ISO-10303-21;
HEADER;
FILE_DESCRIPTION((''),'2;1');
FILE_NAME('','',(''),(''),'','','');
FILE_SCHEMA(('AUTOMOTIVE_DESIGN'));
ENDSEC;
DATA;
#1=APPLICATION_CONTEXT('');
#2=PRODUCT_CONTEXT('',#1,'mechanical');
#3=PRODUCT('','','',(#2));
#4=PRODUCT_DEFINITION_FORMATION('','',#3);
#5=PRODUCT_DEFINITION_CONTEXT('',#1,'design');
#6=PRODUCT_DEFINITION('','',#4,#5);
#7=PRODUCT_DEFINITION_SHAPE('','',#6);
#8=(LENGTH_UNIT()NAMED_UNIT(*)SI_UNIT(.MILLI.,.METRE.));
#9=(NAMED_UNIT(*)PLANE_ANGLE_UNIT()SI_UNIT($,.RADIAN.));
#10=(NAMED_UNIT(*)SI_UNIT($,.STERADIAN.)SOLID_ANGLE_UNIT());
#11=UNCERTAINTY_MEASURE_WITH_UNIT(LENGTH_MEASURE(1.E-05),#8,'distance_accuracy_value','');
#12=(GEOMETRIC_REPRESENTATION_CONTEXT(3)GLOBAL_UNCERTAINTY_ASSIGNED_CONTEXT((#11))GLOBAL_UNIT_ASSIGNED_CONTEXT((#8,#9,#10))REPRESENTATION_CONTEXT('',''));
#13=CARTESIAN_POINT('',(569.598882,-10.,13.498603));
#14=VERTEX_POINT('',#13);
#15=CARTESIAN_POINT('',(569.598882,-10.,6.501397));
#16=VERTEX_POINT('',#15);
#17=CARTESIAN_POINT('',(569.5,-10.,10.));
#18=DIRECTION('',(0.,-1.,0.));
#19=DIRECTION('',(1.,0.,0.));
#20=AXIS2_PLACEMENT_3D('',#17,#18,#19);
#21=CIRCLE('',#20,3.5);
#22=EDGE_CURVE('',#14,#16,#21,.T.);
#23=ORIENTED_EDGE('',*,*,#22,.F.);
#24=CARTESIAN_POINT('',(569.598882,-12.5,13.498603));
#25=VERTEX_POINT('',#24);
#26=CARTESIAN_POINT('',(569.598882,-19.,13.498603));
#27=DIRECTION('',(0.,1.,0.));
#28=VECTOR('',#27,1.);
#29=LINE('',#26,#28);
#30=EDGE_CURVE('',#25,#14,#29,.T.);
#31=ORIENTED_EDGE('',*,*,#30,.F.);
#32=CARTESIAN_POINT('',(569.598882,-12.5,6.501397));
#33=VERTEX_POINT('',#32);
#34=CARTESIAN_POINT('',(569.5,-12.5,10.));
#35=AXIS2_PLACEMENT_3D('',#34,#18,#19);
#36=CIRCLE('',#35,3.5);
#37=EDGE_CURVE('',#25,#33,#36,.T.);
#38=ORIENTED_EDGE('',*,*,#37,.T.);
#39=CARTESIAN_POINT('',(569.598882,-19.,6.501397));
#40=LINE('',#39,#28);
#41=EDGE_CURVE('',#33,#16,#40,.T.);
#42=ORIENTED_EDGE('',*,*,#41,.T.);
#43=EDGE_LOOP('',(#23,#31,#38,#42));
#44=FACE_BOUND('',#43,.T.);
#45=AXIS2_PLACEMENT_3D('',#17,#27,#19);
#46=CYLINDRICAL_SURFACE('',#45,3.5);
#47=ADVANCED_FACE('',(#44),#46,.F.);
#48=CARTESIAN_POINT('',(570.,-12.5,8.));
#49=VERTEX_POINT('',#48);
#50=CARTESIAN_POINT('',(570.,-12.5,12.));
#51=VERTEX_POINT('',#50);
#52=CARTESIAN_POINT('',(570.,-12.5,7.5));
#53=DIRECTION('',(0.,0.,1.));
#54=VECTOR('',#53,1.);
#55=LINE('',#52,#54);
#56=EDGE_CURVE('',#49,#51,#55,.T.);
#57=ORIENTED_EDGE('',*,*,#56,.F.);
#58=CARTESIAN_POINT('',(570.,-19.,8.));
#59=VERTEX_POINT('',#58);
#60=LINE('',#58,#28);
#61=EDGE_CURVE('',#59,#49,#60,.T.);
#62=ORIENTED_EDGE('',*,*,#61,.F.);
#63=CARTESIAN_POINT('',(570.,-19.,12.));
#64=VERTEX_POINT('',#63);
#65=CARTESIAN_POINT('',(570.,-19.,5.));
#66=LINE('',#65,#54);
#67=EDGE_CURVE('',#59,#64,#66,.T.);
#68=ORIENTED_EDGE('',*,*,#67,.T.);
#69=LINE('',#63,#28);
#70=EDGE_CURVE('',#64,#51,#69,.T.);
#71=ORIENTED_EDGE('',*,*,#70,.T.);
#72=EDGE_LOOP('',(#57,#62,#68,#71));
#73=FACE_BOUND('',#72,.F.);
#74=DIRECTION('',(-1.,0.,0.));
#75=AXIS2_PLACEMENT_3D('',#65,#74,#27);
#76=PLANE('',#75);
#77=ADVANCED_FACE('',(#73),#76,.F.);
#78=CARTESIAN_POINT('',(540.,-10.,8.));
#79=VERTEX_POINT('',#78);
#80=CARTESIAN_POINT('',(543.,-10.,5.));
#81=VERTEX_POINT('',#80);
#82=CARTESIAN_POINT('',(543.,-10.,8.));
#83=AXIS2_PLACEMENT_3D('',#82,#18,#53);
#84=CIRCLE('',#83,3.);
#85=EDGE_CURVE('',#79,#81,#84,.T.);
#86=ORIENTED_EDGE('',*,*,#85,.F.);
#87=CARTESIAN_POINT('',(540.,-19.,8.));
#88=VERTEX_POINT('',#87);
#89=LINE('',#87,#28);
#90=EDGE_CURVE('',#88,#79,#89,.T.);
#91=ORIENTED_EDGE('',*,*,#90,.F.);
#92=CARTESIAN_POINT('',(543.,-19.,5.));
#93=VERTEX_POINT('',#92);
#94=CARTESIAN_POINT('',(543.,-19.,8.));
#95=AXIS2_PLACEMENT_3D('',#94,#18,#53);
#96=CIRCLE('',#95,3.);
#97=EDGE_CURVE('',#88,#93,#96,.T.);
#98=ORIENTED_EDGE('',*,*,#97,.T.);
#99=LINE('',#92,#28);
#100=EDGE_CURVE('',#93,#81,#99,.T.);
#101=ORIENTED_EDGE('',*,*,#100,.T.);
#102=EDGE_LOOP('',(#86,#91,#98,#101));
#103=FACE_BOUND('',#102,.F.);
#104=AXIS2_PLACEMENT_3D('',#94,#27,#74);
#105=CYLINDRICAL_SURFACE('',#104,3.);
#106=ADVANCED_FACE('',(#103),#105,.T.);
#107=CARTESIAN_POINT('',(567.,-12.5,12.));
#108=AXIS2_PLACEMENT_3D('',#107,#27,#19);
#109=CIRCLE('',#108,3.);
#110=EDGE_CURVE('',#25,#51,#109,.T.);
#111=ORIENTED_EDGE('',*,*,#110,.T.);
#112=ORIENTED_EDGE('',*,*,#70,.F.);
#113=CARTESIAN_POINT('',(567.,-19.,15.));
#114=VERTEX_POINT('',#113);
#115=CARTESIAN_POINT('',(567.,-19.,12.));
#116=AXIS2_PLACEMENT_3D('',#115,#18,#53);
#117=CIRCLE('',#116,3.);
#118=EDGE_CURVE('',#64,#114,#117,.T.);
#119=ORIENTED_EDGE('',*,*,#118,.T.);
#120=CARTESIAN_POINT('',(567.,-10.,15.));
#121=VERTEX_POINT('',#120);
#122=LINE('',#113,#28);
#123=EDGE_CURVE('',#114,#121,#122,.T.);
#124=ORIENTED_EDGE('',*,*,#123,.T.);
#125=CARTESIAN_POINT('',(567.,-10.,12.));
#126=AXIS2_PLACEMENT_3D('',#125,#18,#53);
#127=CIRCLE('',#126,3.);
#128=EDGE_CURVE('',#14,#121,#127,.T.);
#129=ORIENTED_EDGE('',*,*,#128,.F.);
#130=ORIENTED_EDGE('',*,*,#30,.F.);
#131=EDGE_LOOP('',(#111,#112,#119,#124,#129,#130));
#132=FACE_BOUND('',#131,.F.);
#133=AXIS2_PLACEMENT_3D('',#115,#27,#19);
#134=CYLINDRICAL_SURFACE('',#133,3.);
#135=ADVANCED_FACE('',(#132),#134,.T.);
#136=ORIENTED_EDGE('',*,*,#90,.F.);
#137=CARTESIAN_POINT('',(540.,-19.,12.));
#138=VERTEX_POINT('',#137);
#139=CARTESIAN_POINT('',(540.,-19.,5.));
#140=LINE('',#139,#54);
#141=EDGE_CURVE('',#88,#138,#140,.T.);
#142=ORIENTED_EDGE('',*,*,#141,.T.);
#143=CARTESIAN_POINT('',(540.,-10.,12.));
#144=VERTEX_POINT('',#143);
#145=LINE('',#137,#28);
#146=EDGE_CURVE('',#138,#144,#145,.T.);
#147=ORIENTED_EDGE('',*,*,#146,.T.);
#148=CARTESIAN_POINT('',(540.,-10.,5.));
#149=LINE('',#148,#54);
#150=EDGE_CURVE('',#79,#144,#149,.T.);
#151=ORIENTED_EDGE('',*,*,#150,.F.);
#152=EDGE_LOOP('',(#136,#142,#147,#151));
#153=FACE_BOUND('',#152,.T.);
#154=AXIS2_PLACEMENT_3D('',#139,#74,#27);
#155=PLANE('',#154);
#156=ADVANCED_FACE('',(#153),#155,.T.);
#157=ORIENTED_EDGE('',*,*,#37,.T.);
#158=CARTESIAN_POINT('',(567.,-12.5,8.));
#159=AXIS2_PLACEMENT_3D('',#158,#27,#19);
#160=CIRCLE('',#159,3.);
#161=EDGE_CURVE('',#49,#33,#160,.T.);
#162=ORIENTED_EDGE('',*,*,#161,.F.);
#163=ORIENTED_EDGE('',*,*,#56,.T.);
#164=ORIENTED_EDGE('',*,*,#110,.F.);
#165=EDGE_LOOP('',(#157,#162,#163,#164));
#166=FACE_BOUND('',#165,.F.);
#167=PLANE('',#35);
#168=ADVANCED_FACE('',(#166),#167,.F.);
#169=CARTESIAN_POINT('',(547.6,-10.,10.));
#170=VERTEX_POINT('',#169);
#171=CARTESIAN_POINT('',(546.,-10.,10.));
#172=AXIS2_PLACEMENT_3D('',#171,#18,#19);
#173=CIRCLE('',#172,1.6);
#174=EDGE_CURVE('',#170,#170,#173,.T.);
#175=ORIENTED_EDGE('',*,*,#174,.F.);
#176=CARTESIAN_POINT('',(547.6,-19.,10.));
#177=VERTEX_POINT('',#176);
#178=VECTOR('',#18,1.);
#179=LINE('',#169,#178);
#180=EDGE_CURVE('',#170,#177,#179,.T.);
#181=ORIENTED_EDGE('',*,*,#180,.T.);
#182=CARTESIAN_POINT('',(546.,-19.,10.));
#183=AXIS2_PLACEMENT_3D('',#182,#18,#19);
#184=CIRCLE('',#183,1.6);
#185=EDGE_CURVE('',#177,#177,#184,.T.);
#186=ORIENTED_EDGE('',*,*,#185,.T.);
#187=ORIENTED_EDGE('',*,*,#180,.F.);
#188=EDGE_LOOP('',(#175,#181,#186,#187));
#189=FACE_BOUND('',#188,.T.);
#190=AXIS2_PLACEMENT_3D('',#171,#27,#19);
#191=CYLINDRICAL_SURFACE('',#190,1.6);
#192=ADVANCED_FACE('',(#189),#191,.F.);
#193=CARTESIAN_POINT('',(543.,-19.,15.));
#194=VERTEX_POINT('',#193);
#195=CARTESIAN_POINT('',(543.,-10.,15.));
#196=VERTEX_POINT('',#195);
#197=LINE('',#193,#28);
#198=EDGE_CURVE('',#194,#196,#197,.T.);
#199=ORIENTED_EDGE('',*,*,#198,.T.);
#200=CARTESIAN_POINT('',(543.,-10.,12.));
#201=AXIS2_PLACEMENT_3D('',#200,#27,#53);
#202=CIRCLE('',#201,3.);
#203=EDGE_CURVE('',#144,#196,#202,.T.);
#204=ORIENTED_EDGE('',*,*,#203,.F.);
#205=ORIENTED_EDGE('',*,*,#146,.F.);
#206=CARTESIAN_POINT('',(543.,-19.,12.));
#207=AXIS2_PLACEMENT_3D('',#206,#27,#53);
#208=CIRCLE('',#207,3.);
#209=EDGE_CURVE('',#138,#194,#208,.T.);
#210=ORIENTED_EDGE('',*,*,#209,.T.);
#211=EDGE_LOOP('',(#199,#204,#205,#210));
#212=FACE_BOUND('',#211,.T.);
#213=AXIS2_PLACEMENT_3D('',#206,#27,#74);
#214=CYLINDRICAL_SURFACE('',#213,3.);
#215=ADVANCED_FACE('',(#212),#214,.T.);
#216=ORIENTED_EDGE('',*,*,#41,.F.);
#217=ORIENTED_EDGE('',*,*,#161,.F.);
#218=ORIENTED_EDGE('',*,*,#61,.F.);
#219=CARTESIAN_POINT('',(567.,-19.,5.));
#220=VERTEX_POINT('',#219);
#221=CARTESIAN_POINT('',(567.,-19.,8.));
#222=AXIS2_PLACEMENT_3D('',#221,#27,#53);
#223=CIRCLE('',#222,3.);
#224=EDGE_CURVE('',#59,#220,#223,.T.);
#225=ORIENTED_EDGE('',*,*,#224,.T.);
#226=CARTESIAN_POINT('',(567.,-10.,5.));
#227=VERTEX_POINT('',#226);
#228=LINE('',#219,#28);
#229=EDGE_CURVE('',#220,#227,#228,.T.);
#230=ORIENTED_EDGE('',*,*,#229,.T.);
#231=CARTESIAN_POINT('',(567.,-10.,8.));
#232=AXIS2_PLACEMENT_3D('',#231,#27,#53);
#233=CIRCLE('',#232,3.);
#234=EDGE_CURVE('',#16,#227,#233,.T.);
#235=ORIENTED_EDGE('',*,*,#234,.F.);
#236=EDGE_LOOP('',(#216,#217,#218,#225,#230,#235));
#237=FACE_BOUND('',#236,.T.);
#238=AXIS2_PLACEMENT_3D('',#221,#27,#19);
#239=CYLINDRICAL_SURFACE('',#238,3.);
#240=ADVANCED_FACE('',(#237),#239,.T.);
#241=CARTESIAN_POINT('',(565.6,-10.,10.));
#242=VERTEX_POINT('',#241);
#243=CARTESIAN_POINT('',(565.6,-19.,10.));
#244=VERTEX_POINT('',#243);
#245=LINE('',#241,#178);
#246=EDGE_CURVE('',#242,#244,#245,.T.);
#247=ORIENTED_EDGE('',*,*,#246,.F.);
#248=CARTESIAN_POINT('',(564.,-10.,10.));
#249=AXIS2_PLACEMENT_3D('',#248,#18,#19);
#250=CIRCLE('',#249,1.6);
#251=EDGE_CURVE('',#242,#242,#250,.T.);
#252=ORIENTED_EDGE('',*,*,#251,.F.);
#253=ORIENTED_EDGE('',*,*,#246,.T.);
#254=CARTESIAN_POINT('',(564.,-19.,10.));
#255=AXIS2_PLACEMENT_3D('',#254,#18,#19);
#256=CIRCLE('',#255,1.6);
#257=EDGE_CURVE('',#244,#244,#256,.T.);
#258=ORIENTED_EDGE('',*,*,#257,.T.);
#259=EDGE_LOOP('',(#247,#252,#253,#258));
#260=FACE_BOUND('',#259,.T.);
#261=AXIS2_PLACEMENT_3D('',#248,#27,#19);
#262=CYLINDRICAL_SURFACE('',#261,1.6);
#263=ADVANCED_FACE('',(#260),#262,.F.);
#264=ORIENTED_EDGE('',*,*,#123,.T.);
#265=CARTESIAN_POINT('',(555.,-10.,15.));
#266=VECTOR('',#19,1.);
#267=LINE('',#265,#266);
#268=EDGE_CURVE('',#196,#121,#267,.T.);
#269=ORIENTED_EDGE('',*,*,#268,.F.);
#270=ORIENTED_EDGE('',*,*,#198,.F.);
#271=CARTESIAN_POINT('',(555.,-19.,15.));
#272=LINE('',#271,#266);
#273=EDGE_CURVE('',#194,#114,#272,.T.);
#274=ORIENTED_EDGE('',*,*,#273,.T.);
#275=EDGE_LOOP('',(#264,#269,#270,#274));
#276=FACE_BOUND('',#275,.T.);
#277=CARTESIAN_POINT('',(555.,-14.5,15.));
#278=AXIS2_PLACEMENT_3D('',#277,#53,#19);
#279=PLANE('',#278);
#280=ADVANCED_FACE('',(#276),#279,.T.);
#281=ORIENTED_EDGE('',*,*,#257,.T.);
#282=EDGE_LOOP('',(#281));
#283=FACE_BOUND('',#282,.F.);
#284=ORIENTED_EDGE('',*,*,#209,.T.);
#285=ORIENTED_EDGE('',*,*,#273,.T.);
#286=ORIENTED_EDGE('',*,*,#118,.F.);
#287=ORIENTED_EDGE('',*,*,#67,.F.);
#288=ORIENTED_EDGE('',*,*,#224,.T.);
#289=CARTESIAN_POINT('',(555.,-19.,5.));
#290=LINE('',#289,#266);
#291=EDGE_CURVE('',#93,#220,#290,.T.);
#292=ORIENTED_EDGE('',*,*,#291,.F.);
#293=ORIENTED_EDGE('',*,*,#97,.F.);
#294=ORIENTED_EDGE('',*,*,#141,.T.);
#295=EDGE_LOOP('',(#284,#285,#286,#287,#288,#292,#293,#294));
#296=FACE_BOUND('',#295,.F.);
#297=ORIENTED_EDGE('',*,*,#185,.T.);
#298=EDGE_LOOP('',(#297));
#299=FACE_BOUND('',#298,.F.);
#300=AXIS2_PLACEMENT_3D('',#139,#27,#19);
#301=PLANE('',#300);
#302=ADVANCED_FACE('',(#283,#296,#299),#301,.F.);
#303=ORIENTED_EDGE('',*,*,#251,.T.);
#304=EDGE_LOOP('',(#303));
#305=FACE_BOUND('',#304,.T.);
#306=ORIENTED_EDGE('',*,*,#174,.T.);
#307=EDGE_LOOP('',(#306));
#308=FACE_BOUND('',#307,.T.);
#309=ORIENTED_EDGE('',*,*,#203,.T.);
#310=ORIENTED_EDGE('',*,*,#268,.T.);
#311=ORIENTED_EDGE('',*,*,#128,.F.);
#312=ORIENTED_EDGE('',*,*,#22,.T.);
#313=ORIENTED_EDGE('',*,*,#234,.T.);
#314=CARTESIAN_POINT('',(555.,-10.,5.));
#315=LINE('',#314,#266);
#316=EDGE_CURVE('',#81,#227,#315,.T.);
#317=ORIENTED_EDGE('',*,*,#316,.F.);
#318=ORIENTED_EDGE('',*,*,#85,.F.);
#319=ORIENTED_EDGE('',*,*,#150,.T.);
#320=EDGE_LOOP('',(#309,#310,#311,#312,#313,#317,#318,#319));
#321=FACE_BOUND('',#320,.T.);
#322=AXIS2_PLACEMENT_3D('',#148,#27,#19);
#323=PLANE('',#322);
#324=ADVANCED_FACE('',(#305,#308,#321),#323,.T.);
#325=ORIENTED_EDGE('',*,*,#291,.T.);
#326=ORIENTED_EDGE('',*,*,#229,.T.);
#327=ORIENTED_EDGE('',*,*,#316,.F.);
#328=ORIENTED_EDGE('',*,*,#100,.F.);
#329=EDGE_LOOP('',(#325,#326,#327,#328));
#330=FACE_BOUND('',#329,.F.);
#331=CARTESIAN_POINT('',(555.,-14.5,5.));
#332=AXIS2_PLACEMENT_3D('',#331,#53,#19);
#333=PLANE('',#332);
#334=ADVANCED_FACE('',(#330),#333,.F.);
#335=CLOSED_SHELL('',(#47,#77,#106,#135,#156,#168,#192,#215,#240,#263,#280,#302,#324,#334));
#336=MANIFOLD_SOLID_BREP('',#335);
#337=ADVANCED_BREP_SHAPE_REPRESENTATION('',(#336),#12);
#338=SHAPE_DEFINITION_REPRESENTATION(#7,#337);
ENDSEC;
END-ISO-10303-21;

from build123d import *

# Parameters (mm, degrees)
CYLINDER465_R     = 3.5
CYLINDER465_DEPTH = 2.5
CYLINDER152_R     = 1.6
CYLINDER152_DEPTH = 9
CYLINDER153_R     = 1.6
CYLINDER153_DEPTH = 9
CYLINDER154_R     = 1.6
CYLINDER154_DEPTH = 9
CYLINDER155_R     = 1.6
CYLINDER155_DEPTH = 9
BOX072_W          = 30
BOX072_H          = 9
BOX072_DEPTH      = 10
FILLET035_R       = 3


with BuildPart() as cylinder579:
    # Cylinder465 → Cylinder465 (new body)
    with BuildSketch(Plane(origin=(569.5, -10, 10), x_dir=(1, 0, 0), z_dir=(0, -1, 0))):
        Circle(CYLINDER465_R)
    extrude(amount=CYLINDER465_DEPTH)


with BuildPart() as cylinder152:
    # Cylinder152 → Cylinder152 (new body)
    with BuildSketch(Plane(origin=(555, -5, 10), x_dir=(1, 0, 0), z_dir=(0, -1, 0))):
        Circle(CYLINDER152_R)
    extrude(amount=CYLINDER152_DEPTH)


with BuildPart() as fusion138:
    # Cylinder153 → Cylinder153 (new body)
    with BuildSketch(Plane(origin=(450, -5, 10), x_dir=(1, 0, 0), z_dir=(0, -1, 0))):
        Circle(CYLINDER153_R)
    extrude(amount=CYLINDER153_DEPTH)

    # Fusion138: union Cylinder152
    add(cylinder152.part)


with BuildPart() as fusion138_1:
    # Fusion138 placement: moved
    add(fusion138.part.moved(Location((-9, 5, 0))))


with BuildPart() as cylinder154:
    # Cylinder154 → Cylinder154 (new body)
    with BuildSketch(Plane(origin=(555, -5, 10), x_dir=(1, 0, 0), z_dir=(0, -1, 0))):
        Circle(CYLINDER154_R)
    extrude(amount=CYLINDER154_DEPTH)


with BuildPart() as fusion137:
    # Cylinder155 → Cylinder155 (new body)
    with BuildSketch(Plane(origin=(450, -5, 10), x_dir=(1, 0, 0), z_dir=(0, -1, 0))):
        Circle(CYLINDER155_R)
    extrude(amount=CYLINDER155_DEPTH)

    # Fusion139: union Cylinder154
    add(cylinder154.part)


with BuildPart() as fusion137_1:
    # Fusion139 placement: moved
    add(fusion137.part.moved(Location((9, 5, 0))))

    # Fusion137: union Fusion138
    add(fusion138_1.part)


with BuildPart() as fender_spacer_rear_left:
    # Box072 → Box072 (new body)
    with BuildSketch(Plane(origin=(435, -9, 5), x_dir=(1, 0, 0), z_dir=(0, 0, 1))):
        with Locations((15, 4.5)):
            Rectangle(BOX072_W, BOX072_H)
    extrude(amount=BOX072_DEPTH)

    # Fillet035
    fillet035_edges = [fender_spacer_rear_left.edges().sort_by_distance(p)[0] for p in [
        (435, -4.5, 15),
        (435, -4.5, 5),
        (465, -4.5, 15),
        (465, -4.5, 5),
    ]]
    fillet(fillet035_edges, radius=FILLET035_R)


with BuildPart() as fender_spacer_rear_left_1:
    # Fillet035 placement: moved
    add(fender_spacer_rear_left.part.moved(Location((105, 0, 0))))

    # Cut082: cut Fusion137
    add(fusion137_1.part, mode=Mode.SUBTRACT)


with BuildPart() as fender_spacer_rear_left_2:
    # Cut082 placement: moved
    add(fender_spacer_rear_left_1.part.moved(Location((0, -10, 0))))

    # Cut321: cut Cylinder579
    add(cylinder579.part, mode=Mode.SUBTRACT)


solid = fender_spacer_rear_left_2.part
